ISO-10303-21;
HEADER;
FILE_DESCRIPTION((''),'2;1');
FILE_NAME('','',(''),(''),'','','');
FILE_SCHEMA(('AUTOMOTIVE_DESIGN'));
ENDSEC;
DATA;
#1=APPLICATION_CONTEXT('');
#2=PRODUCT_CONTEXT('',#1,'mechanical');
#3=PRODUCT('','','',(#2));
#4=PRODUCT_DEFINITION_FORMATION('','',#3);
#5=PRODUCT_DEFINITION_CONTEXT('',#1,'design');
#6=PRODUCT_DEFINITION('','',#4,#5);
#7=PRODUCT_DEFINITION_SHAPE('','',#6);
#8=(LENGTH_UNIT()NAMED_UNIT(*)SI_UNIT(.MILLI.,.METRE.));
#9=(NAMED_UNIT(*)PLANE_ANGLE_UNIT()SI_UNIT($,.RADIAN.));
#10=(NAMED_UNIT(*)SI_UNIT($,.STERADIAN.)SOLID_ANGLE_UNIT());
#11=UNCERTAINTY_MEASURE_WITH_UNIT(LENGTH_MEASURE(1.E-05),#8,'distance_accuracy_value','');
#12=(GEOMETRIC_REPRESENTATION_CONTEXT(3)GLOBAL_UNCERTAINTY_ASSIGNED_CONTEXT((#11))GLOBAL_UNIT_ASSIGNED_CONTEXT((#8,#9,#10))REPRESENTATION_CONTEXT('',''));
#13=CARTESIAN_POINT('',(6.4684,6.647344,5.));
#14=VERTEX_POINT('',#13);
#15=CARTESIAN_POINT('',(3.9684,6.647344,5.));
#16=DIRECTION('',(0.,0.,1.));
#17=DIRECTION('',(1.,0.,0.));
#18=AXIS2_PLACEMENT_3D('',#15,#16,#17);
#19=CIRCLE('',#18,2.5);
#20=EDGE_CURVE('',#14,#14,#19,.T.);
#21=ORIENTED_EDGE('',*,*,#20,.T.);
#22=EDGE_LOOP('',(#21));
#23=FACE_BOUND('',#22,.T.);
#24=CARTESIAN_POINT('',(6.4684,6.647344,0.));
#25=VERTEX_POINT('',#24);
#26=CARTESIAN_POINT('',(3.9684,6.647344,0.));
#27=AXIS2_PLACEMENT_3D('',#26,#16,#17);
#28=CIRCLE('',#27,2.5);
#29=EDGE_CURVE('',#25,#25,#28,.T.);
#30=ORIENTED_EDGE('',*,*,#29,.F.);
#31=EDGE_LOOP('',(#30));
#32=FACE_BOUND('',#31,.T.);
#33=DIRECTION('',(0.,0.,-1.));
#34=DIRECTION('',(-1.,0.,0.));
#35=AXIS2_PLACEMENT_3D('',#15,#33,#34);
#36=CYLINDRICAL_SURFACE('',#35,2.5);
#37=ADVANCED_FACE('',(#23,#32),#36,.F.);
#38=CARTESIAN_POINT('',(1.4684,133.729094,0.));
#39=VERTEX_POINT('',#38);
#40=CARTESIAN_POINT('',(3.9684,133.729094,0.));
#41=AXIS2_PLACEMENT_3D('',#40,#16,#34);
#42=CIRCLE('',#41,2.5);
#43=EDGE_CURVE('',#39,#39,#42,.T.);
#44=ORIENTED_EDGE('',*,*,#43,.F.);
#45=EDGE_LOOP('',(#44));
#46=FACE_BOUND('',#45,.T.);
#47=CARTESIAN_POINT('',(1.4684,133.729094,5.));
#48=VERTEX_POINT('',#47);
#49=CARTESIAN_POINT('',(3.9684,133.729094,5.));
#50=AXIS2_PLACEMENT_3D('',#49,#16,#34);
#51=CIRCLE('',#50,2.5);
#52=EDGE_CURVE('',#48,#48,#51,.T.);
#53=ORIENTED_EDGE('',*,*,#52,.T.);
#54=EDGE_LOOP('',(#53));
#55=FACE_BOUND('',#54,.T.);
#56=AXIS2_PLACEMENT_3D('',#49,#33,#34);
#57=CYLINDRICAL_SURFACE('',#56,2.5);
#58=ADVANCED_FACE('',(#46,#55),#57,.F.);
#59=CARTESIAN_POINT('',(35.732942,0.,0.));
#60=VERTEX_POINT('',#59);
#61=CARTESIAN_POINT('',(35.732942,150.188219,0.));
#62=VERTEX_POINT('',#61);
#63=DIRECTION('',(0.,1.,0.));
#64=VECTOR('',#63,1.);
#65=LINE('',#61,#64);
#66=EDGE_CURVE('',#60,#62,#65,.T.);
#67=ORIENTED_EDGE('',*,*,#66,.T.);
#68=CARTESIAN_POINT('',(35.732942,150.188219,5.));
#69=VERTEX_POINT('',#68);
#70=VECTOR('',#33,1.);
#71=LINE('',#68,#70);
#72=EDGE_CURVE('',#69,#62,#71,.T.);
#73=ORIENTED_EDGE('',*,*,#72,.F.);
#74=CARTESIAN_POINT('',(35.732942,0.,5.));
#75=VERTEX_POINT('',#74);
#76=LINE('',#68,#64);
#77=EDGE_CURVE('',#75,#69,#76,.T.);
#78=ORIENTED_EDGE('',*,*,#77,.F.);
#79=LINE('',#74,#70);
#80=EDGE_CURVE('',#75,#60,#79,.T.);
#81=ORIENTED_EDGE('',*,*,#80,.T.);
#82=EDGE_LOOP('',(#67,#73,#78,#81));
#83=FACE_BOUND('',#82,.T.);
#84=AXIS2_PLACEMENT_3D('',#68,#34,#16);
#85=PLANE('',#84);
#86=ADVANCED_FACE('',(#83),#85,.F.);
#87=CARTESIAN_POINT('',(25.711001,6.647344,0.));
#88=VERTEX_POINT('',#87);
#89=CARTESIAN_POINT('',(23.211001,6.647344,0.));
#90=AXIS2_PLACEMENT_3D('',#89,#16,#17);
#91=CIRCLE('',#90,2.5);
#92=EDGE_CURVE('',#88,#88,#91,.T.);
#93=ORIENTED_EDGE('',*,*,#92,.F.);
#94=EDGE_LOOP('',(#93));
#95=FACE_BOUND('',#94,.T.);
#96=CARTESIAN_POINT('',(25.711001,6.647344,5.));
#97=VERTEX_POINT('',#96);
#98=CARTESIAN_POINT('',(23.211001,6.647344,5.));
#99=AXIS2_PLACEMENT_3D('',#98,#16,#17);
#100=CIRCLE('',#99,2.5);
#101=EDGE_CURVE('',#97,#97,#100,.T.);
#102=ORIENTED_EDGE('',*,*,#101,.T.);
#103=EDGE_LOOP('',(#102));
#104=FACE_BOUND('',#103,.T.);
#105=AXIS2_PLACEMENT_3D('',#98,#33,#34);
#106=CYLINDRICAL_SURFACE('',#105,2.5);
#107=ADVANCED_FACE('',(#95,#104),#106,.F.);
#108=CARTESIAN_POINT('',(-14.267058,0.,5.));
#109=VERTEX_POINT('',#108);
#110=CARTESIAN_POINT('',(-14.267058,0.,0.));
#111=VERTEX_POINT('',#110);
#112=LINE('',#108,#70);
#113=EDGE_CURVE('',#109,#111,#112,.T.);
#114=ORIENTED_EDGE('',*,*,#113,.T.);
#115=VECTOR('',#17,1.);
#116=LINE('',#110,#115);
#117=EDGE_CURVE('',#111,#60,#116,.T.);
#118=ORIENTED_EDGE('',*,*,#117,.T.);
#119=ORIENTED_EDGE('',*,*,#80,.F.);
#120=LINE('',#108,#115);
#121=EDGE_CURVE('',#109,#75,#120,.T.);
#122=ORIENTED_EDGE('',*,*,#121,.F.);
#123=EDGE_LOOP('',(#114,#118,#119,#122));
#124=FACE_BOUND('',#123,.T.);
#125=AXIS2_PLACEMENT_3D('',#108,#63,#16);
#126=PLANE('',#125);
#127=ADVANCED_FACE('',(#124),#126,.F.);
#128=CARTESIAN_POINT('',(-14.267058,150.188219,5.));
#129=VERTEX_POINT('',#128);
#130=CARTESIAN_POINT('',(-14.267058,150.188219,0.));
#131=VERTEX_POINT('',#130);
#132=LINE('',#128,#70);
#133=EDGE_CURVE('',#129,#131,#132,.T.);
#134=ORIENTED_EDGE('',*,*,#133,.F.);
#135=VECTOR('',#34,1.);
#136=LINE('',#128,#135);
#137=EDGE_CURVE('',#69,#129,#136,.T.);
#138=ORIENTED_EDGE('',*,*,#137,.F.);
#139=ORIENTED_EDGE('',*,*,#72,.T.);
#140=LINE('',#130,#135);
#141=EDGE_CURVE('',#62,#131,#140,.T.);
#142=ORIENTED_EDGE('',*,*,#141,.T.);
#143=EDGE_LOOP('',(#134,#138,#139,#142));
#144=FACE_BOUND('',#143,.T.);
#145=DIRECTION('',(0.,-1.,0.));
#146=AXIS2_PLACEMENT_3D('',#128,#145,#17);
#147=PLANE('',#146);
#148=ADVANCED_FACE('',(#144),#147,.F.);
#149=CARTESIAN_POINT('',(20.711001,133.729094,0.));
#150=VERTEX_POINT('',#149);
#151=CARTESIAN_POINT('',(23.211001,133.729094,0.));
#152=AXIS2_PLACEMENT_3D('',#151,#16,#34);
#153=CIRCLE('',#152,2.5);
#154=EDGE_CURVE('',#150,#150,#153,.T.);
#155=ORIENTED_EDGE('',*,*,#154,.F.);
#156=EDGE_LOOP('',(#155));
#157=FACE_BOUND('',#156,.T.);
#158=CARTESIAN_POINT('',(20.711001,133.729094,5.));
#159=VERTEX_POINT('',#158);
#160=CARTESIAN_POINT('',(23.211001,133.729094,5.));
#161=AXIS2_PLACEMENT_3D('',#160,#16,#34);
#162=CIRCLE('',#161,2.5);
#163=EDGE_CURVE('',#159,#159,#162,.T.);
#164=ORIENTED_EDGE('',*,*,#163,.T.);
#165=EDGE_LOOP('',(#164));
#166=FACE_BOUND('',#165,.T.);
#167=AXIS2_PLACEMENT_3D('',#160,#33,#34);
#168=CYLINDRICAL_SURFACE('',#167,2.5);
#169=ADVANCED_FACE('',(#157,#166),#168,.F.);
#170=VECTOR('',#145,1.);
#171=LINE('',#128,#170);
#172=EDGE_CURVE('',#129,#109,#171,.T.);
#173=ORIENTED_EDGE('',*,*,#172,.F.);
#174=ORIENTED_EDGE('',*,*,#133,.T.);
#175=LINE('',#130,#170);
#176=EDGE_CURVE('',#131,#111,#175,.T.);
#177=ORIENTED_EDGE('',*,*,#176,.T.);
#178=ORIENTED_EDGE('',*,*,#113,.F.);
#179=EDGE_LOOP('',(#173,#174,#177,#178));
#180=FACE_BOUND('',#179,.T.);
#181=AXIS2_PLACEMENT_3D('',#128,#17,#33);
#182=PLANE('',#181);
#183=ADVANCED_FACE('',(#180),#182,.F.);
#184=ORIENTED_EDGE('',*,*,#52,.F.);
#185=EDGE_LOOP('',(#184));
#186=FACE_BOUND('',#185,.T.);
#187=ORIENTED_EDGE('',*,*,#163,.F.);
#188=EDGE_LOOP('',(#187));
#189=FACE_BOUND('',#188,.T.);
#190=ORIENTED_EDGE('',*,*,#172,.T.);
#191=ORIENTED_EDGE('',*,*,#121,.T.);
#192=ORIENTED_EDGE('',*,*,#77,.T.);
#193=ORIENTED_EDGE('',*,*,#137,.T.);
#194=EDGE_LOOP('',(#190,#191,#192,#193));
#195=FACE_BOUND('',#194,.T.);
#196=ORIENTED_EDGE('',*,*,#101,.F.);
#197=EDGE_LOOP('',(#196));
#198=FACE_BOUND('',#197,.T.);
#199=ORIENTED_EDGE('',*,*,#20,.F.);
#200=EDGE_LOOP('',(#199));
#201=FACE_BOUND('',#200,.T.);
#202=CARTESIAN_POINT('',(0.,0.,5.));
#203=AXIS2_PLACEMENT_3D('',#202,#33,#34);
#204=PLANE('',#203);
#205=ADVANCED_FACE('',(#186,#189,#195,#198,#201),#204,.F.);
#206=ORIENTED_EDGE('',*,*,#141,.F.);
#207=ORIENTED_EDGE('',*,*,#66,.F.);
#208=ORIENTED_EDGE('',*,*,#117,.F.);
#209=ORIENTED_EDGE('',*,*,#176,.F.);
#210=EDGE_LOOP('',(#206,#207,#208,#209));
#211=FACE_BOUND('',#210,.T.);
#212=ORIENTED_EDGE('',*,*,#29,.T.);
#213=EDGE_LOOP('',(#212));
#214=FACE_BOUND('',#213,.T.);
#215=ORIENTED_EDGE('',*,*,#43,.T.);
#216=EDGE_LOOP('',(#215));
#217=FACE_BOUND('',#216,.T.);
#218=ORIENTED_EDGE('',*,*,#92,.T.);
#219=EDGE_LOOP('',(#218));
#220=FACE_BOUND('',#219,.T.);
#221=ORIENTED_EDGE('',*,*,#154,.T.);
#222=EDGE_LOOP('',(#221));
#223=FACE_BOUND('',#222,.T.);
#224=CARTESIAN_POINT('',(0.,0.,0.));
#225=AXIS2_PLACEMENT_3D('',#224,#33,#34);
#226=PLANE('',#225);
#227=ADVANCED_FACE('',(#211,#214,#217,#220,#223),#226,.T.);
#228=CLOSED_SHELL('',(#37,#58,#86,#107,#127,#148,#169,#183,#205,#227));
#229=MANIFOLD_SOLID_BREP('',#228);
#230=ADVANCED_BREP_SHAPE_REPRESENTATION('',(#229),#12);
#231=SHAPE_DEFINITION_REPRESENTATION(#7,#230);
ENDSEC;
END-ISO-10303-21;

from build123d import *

# Parameters (mm, degrees)
SKETCH2_W           = 50
SKETCH2_H           = 150.188218987
SKETCH2_R           = 2.5
BOSS_EXTRUDE1_DEPTH = 5


with BuildPart() as part:
    # Sketch2 → Boss-Extrude1 (new body)
    with BuildSketch(Plane.XY):
        with Locations((10.732942453, 75.094109493)):
            Rectangle(SKETCH2_W, SKETCH2_H)
        with Locations((23.211000936, 6.647343634)):
            Circle(SKETCH2_R, mode=Mode.SUBTRACT)
        with Locations((3.968400349, 6.647343634)):
            Circle(SKETCH2_R, mode=Mode.SUBTRACT)
        with Locations(Location((3.968400349, 133.72909434, 0), (0, 0, 180))):
            Circle(SKETCH2_R, mode=Mode.SUBTRACT)
        with Locations(Location((23.211000936, 133.72909434, 0), (0, 0, 180))):
            Circle(SKETCH2_R, mode=Mode.SUBTRACT)
    extrude(amount=BOSS_EXTRUDE1_DEPTH)


solid = part.part
